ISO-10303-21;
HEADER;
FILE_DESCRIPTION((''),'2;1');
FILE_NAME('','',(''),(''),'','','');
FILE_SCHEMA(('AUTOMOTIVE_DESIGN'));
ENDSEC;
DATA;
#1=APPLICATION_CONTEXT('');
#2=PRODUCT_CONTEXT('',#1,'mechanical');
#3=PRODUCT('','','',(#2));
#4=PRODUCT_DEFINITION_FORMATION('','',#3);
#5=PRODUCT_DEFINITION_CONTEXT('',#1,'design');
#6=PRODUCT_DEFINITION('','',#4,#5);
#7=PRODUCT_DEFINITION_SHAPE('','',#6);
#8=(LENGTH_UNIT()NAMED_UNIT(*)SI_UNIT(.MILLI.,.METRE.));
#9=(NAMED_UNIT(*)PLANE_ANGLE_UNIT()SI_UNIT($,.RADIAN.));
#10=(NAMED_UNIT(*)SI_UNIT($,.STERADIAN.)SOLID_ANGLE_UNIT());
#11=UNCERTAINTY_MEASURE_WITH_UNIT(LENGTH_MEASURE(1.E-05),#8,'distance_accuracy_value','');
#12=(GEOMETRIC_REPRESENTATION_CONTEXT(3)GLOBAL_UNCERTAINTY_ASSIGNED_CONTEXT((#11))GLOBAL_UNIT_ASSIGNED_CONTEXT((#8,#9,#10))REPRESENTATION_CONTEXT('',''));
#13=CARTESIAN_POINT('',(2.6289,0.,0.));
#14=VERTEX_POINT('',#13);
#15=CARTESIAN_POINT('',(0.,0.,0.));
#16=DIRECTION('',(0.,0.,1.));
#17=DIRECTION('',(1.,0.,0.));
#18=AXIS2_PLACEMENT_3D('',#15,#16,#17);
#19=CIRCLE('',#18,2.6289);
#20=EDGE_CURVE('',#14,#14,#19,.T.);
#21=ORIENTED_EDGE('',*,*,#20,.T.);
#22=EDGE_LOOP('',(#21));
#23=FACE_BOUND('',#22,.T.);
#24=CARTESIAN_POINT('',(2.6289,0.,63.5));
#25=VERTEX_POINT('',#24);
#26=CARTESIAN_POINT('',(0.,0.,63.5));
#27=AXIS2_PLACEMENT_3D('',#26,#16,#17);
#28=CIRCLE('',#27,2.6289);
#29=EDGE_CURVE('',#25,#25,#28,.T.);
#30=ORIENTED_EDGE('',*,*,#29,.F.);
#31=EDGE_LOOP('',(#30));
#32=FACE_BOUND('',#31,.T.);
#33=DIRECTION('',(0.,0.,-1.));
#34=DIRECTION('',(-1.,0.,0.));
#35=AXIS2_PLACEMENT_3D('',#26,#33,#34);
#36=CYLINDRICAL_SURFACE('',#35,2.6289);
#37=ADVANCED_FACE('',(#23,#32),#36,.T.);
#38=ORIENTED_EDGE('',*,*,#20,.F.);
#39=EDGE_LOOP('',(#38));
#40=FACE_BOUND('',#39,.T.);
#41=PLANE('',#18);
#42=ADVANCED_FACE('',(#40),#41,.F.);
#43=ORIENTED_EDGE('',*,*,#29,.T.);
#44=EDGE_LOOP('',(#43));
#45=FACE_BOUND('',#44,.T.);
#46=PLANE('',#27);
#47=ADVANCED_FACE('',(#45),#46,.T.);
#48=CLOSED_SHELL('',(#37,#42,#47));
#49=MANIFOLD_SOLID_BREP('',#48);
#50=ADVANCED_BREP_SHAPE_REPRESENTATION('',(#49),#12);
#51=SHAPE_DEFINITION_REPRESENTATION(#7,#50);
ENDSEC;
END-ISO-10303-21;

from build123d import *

# Parameters (mm, degrees)
SKETCH1_R           = 2.6289
BOSS_EXTRUDE1_DEPTH = 63.5


with BuildPart() as part:
    # Sketch1 → Boss-Extrude1 (new body)
    with BuildSketch(Plane.XY):
        Circle(SKETCH1_R)
    extrude(amount=BOSS_EXTRUDE1_DEPTH)


solid = part.part
